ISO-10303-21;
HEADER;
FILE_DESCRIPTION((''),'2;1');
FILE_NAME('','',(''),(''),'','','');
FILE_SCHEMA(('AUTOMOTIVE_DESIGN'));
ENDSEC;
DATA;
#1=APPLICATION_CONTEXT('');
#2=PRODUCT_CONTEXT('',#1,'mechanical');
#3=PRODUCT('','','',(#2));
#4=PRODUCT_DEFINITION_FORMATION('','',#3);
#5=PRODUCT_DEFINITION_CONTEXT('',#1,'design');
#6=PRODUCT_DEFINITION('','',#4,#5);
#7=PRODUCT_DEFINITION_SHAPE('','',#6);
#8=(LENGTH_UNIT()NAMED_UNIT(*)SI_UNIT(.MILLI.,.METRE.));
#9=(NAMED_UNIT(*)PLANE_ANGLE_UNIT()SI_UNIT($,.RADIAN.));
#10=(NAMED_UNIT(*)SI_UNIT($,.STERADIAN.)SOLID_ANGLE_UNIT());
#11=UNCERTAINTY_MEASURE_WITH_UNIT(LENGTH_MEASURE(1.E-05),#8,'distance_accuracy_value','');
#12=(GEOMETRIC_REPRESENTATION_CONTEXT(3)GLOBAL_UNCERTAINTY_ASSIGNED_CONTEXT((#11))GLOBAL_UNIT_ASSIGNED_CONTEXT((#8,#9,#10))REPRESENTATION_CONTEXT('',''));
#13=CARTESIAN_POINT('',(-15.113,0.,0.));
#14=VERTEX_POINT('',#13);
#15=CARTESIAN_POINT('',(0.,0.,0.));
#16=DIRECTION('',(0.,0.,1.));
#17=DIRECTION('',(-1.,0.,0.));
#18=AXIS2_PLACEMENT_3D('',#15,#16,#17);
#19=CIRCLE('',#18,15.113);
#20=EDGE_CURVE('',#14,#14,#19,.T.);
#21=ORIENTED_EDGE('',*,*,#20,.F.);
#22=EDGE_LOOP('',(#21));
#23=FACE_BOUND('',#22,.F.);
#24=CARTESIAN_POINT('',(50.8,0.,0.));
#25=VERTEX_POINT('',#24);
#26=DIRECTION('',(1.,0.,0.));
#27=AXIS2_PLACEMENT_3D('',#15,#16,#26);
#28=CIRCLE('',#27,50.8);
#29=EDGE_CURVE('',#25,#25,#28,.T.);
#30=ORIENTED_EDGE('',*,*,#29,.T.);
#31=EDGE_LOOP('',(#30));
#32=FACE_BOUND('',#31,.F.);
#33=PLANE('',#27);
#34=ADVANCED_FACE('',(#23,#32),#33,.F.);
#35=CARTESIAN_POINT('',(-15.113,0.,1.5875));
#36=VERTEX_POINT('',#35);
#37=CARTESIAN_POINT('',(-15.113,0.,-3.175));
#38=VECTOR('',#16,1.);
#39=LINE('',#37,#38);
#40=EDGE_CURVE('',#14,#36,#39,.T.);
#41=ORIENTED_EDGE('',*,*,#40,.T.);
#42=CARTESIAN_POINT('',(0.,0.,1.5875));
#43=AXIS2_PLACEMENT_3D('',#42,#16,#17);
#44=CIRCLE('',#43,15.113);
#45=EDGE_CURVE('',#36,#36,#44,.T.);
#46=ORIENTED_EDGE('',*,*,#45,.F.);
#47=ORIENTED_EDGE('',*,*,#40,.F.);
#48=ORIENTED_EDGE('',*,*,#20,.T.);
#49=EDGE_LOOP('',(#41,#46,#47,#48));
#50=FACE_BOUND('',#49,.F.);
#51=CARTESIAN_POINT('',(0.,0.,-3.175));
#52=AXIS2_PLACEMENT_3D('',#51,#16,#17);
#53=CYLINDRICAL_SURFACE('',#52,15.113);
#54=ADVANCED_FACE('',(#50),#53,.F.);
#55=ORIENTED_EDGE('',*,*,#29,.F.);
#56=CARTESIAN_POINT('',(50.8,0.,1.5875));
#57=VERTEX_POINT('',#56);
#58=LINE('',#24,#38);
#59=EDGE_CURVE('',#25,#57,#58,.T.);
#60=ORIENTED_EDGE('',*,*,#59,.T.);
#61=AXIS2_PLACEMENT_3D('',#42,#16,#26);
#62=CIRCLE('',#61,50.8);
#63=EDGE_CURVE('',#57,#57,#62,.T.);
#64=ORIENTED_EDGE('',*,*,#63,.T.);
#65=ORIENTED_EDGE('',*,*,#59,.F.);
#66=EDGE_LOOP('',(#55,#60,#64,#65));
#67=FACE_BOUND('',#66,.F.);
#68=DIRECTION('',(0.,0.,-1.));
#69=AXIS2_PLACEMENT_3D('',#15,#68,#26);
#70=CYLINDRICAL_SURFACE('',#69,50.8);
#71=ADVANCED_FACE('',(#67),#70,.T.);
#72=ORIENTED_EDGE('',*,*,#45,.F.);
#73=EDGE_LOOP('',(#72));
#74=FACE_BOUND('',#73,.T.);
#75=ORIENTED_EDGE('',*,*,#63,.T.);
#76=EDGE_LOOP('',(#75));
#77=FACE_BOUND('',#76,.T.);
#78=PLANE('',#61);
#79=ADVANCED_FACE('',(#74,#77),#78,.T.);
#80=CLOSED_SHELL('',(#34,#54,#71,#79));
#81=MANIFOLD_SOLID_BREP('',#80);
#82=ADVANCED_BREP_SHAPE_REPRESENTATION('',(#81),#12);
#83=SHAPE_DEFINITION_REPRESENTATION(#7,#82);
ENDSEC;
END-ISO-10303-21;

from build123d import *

# Parameters (mm, degrees)
F0_R     = 50.8
F1_DEPTH = 1.5875
F3_D     = 30.226
F3_DEPTH = 3.175


with BuildPart() as f1:
    # F0 (on Top) → F1 (new body)
    with BuildSketch(Plane.XY):
        Circle(F0_R)
    extrude(amount=F1_DEPTH)

    # F3
    with Locations(Plane(origin=(0, 0, 0), x_dir=(1, 0, 0), z_dir=(0, 0, -1))):
        with Locations((0, 0)):
            Hole(F3_D / 2, depth=F3_DEPTH)


solid = f1.part
